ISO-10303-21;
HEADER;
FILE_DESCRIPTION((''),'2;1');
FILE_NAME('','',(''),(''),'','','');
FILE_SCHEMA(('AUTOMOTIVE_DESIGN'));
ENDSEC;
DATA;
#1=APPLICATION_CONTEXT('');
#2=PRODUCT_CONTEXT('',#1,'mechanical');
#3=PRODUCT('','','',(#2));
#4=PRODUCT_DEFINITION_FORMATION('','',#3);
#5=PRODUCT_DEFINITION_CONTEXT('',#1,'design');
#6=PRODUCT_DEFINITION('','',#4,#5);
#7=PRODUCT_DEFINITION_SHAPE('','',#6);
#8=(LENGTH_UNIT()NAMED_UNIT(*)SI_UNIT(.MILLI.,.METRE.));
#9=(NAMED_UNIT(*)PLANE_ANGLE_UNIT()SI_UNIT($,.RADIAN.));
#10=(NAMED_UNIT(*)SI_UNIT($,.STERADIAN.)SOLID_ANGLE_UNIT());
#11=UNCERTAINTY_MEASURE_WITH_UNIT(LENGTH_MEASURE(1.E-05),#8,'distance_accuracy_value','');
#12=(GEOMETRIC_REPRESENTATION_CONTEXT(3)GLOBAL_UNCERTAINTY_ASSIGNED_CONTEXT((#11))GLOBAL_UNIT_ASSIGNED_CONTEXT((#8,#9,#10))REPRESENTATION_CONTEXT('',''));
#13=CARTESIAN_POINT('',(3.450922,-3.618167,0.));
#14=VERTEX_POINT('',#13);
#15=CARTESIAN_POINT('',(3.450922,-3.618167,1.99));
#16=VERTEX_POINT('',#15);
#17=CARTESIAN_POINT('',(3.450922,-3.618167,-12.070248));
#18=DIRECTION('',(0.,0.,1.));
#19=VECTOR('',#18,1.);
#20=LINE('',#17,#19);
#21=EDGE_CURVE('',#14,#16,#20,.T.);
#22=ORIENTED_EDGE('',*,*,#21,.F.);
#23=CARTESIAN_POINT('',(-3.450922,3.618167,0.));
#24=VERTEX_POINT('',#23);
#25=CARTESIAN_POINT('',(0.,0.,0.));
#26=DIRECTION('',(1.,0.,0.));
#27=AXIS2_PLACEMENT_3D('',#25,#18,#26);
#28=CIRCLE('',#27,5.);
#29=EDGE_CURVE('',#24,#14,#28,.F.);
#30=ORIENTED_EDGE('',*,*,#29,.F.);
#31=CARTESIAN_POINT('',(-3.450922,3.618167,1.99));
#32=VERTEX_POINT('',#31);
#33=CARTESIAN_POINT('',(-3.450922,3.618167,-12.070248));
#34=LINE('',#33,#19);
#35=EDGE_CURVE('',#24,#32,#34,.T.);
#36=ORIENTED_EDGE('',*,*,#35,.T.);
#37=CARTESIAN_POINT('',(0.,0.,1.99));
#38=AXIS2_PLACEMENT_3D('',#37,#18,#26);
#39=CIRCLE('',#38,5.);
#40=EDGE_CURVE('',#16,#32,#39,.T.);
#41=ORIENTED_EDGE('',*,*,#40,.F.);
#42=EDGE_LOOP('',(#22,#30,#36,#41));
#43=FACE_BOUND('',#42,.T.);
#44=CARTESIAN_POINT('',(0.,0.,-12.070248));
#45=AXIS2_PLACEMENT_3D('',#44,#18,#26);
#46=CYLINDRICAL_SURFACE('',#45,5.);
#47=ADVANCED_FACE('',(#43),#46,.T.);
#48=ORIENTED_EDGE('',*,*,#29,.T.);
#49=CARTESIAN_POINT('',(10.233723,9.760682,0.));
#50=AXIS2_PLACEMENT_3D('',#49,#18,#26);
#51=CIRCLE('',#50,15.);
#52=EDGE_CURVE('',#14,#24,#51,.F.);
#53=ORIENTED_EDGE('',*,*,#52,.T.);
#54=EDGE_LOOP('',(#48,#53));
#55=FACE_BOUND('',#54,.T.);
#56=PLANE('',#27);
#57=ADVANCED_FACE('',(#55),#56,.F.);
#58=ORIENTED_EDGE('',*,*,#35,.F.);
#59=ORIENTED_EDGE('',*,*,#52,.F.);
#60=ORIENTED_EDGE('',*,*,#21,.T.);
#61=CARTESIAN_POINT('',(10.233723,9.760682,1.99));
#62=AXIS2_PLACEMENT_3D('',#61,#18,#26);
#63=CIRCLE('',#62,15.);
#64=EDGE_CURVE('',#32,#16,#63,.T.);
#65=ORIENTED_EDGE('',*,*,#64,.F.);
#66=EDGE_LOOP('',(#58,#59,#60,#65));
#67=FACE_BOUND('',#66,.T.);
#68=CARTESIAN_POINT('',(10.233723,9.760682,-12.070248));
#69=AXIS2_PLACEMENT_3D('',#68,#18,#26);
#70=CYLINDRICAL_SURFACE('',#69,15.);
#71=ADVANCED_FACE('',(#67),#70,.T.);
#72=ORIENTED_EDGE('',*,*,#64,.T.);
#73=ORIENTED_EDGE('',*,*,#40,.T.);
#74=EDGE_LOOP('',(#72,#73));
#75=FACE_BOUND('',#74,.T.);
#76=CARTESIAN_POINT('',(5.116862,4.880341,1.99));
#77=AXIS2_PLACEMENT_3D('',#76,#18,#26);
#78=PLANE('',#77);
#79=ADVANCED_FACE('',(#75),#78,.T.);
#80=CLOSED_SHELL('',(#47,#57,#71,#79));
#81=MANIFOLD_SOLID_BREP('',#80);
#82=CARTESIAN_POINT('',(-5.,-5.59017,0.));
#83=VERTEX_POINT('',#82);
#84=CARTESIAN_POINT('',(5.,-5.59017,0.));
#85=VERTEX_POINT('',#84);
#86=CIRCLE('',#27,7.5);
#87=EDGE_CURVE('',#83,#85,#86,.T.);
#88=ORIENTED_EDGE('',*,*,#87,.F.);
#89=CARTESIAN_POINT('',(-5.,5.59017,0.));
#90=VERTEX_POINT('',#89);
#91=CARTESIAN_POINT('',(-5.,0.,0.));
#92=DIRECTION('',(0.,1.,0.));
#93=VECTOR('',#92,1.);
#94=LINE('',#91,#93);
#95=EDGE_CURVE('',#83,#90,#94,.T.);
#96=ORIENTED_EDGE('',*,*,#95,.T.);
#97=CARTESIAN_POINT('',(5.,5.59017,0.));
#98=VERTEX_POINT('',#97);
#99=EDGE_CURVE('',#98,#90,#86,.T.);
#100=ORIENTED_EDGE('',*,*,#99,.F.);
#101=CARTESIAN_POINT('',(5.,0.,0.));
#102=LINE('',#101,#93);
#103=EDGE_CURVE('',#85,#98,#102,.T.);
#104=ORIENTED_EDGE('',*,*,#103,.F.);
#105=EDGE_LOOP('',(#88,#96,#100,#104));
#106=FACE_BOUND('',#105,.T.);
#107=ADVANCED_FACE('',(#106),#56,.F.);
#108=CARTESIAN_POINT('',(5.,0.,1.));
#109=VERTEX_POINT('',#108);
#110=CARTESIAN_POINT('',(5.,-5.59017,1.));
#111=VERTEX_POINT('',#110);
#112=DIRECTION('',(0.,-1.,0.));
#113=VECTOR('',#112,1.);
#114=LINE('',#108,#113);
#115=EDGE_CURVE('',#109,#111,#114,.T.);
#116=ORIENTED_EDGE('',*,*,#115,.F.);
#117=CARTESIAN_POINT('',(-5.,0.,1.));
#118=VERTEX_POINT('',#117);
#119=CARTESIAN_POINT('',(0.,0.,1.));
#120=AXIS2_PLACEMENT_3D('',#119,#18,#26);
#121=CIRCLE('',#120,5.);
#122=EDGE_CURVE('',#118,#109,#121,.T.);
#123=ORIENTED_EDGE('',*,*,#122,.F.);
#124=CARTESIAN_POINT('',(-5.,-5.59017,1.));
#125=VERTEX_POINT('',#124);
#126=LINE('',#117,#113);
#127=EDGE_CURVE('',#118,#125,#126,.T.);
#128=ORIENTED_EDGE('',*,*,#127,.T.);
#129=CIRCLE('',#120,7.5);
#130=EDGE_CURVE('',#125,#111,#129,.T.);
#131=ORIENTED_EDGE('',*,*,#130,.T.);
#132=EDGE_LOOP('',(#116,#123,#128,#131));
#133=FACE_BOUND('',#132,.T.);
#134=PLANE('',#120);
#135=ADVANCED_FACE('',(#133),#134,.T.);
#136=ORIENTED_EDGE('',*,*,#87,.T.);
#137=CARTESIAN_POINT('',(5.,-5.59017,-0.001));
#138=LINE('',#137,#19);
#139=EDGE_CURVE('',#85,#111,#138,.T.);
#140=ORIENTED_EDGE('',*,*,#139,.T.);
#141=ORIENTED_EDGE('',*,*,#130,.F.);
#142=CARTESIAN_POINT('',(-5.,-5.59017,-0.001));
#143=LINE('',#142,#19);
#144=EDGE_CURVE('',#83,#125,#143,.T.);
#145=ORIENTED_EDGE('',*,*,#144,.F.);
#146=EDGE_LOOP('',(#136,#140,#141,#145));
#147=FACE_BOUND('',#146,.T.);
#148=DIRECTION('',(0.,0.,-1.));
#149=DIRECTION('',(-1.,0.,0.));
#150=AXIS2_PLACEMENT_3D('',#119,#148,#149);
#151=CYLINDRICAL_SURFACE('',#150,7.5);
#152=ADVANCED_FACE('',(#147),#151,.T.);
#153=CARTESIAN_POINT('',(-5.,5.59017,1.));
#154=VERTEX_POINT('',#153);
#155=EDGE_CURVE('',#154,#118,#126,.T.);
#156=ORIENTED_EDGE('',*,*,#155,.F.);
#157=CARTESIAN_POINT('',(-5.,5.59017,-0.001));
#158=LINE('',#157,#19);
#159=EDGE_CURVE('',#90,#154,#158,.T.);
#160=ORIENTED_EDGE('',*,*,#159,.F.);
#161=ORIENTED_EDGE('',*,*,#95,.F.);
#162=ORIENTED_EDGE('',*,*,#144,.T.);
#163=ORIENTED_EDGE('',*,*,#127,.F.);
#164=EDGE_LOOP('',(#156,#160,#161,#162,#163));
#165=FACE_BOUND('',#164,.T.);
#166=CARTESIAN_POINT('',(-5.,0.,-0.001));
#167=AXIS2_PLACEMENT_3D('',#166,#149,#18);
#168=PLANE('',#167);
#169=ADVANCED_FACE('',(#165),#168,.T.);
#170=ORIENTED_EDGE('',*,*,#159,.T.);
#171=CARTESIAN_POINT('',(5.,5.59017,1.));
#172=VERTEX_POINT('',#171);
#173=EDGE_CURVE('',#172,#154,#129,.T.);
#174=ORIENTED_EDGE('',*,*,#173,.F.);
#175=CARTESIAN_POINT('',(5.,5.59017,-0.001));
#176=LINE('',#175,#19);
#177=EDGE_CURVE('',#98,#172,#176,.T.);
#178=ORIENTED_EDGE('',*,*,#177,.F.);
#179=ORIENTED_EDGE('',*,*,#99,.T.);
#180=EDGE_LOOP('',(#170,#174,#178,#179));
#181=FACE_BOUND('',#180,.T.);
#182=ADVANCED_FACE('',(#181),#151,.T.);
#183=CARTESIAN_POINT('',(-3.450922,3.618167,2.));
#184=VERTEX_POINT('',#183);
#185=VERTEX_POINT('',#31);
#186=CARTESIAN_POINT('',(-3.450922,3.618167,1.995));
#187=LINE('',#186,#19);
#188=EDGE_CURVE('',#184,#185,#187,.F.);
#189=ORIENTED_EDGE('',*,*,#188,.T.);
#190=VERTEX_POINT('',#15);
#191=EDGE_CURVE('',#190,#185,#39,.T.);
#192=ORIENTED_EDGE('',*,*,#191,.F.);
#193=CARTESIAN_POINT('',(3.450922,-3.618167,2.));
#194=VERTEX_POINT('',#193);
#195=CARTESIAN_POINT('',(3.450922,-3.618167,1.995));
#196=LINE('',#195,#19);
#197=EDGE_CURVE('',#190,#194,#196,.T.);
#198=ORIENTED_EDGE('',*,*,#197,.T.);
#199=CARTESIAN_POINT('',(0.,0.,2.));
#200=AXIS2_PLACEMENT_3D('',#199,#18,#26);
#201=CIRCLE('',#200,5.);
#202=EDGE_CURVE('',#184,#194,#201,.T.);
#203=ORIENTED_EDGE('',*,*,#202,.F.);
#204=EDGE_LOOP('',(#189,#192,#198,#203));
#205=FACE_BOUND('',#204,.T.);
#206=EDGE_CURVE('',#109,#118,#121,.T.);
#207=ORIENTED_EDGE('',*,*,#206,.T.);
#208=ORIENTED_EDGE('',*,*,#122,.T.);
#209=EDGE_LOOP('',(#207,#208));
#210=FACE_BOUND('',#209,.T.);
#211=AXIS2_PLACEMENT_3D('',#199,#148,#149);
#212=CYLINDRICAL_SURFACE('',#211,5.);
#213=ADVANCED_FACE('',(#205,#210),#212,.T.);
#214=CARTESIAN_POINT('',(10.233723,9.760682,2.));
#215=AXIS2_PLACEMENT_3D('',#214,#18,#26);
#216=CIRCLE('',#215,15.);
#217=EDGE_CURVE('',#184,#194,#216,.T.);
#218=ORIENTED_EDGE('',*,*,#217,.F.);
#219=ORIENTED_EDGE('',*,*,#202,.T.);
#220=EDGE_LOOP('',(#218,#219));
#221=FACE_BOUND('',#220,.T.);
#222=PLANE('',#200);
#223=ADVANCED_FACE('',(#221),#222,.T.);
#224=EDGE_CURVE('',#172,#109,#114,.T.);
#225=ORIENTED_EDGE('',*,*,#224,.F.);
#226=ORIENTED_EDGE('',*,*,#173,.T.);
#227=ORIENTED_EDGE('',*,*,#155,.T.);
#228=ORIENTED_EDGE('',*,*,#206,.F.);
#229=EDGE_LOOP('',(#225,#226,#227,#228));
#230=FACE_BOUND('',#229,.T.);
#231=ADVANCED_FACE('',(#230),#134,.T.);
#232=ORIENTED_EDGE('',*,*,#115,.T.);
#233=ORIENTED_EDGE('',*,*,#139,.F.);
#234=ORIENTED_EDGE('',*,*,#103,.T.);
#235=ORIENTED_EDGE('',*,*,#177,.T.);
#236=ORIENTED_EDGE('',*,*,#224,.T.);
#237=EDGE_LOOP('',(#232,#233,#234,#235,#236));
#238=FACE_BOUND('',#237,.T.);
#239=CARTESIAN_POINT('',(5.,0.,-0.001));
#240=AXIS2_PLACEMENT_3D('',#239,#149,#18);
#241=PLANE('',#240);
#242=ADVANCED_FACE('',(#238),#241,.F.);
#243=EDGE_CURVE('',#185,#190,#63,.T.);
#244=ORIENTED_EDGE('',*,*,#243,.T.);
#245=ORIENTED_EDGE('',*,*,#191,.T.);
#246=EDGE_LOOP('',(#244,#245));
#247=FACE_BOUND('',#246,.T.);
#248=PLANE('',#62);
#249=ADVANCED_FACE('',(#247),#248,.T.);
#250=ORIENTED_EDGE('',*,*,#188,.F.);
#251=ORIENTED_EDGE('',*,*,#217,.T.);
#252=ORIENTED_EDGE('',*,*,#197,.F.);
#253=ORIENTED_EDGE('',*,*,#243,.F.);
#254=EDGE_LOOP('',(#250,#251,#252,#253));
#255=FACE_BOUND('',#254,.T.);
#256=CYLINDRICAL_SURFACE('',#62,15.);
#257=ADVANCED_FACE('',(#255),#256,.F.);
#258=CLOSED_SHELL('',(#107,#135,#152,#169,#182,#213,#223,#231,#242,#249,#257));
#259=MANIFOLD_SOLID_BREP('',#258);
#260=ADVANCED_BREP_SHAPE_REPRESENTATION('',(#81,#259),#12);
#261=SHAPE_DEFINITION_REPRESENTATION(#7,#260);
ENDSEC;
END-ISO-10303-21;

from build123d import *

# Parameters (mm, degrees)
SKETCH1_R           = 7.5
BOSS_EXTRUDE1_DEPTH = 1
SKETCH2_R           = 5
BOSS_EXTRUDE2_DEPTH = 1
CUT_EXTRUDE2_REACH  = 12.654
SKETCH4_R           = 15
CUT_EXTRUDE3_DEPTH  = 0.01
BOSS_EXTRUDE3_DEPTH = 1.99


with BuildPart() as part:
    # Sketch1 → Boss-Extrude1 (new body)
    with BuildSketch(Plane(origin=(0, 0, 0), x_dir=(0, 1, 0), z_dir=(0, 0, 1))):
        with Locations(Location((0, 0, 0), (0, 0, 270))):
            Circle(SKETCH1_R)
    extrude(amount=BOSS_EXTRUDE1_DEPTH)

    # Sketch2 → Boss-Extrude2 (add)
    with BuildSketch(Plane.XY.offset(1)):
        Circle(SKETCH2_R)
    extrude(amount=BOSS_EXTRUDE2_DEPTH)

    # Sketch3 → Cut-Extrude2 (cut, up to next)
    with BuildSketch(Plane.XY.offset(1), mode=Mode.PRIVATE) as cut_extrude2_sk1:
        with BuildLine():
            ThreePointArc((5, -5.590169944), (7.5, 0), (5, 5.590169944))
            Line((5, 5.590169944), (5, -5.590169944))
        make_face()
    cut_extrude2_tool1 = extrude(cut_extrude2_sk1.sketch, amount=-CUT_EXTRUDE2_REACH, mode=Mode.PRIVATE) & part.part
    # Sketch3 → Cut-Extrude2 (cut, up to next)
    with BuildSketch(Plane.XY.offset(1), mode=Mode.PRIVATE) as cut_extrude2_sk2:
        with BuildLine():
            Line((-5, -5.590169944), (-5, 5.590169944))
            ThreePointArc((-5, 5.590169944), (-7.5, 0), (-5, -5.590169944))
        make_face()
    cut_extrude2_tool2 = extrude(cut_extrude2_sk2.sketch, amount=-CUT_EXTRUDE2_REACH, mode=Mode.PRIVATE) & part.part
    add(cut_extrude2_tool1.solids().sort_by_distance((6.015822, 0, 1))[0], mode=Mode.SUBTRACT)
    add(cut_extrude2_tool2.solids().sort_by_distance((-6.015822, 0, 1))[0], mode=Mode.SUBTRACT)

    # Sketch4 → Cut-Extrude3 (cut)
    with BuildSketch(Plane(origin=(0, 0, 2), x_dir=(0, -1, 0), z_dir=(0, 0, 1))):
        with Locations((-9.760681966, 10.233723054)):
            Circle(SKETCH4_R)
    extrude(amount=-CUT_EXTRUDE3_DEPTH, mode=Mode.SUBTRACT)


with BuildPart() as body_2:
    # Sketch5 → Boss-Extrude3 (new body)
    with BuildSketch(Plane.XY.offset(1.99)):
        with BuildLine():
            ThreePointArc((3.450922204, -3.618167484), (3.618167484, 3.450922204), (-3.450922204, 3.618167484))
            ThreePointArc((-3.450922204, 3.618167484), (-0.620779398, -0.592084645), (3.450922204, -3.618167484))
        make_face()
    extrude(amount=-BOSS_EXTRUDE3_DEPTH)


solid = Compound([part.part, body_2.part])
